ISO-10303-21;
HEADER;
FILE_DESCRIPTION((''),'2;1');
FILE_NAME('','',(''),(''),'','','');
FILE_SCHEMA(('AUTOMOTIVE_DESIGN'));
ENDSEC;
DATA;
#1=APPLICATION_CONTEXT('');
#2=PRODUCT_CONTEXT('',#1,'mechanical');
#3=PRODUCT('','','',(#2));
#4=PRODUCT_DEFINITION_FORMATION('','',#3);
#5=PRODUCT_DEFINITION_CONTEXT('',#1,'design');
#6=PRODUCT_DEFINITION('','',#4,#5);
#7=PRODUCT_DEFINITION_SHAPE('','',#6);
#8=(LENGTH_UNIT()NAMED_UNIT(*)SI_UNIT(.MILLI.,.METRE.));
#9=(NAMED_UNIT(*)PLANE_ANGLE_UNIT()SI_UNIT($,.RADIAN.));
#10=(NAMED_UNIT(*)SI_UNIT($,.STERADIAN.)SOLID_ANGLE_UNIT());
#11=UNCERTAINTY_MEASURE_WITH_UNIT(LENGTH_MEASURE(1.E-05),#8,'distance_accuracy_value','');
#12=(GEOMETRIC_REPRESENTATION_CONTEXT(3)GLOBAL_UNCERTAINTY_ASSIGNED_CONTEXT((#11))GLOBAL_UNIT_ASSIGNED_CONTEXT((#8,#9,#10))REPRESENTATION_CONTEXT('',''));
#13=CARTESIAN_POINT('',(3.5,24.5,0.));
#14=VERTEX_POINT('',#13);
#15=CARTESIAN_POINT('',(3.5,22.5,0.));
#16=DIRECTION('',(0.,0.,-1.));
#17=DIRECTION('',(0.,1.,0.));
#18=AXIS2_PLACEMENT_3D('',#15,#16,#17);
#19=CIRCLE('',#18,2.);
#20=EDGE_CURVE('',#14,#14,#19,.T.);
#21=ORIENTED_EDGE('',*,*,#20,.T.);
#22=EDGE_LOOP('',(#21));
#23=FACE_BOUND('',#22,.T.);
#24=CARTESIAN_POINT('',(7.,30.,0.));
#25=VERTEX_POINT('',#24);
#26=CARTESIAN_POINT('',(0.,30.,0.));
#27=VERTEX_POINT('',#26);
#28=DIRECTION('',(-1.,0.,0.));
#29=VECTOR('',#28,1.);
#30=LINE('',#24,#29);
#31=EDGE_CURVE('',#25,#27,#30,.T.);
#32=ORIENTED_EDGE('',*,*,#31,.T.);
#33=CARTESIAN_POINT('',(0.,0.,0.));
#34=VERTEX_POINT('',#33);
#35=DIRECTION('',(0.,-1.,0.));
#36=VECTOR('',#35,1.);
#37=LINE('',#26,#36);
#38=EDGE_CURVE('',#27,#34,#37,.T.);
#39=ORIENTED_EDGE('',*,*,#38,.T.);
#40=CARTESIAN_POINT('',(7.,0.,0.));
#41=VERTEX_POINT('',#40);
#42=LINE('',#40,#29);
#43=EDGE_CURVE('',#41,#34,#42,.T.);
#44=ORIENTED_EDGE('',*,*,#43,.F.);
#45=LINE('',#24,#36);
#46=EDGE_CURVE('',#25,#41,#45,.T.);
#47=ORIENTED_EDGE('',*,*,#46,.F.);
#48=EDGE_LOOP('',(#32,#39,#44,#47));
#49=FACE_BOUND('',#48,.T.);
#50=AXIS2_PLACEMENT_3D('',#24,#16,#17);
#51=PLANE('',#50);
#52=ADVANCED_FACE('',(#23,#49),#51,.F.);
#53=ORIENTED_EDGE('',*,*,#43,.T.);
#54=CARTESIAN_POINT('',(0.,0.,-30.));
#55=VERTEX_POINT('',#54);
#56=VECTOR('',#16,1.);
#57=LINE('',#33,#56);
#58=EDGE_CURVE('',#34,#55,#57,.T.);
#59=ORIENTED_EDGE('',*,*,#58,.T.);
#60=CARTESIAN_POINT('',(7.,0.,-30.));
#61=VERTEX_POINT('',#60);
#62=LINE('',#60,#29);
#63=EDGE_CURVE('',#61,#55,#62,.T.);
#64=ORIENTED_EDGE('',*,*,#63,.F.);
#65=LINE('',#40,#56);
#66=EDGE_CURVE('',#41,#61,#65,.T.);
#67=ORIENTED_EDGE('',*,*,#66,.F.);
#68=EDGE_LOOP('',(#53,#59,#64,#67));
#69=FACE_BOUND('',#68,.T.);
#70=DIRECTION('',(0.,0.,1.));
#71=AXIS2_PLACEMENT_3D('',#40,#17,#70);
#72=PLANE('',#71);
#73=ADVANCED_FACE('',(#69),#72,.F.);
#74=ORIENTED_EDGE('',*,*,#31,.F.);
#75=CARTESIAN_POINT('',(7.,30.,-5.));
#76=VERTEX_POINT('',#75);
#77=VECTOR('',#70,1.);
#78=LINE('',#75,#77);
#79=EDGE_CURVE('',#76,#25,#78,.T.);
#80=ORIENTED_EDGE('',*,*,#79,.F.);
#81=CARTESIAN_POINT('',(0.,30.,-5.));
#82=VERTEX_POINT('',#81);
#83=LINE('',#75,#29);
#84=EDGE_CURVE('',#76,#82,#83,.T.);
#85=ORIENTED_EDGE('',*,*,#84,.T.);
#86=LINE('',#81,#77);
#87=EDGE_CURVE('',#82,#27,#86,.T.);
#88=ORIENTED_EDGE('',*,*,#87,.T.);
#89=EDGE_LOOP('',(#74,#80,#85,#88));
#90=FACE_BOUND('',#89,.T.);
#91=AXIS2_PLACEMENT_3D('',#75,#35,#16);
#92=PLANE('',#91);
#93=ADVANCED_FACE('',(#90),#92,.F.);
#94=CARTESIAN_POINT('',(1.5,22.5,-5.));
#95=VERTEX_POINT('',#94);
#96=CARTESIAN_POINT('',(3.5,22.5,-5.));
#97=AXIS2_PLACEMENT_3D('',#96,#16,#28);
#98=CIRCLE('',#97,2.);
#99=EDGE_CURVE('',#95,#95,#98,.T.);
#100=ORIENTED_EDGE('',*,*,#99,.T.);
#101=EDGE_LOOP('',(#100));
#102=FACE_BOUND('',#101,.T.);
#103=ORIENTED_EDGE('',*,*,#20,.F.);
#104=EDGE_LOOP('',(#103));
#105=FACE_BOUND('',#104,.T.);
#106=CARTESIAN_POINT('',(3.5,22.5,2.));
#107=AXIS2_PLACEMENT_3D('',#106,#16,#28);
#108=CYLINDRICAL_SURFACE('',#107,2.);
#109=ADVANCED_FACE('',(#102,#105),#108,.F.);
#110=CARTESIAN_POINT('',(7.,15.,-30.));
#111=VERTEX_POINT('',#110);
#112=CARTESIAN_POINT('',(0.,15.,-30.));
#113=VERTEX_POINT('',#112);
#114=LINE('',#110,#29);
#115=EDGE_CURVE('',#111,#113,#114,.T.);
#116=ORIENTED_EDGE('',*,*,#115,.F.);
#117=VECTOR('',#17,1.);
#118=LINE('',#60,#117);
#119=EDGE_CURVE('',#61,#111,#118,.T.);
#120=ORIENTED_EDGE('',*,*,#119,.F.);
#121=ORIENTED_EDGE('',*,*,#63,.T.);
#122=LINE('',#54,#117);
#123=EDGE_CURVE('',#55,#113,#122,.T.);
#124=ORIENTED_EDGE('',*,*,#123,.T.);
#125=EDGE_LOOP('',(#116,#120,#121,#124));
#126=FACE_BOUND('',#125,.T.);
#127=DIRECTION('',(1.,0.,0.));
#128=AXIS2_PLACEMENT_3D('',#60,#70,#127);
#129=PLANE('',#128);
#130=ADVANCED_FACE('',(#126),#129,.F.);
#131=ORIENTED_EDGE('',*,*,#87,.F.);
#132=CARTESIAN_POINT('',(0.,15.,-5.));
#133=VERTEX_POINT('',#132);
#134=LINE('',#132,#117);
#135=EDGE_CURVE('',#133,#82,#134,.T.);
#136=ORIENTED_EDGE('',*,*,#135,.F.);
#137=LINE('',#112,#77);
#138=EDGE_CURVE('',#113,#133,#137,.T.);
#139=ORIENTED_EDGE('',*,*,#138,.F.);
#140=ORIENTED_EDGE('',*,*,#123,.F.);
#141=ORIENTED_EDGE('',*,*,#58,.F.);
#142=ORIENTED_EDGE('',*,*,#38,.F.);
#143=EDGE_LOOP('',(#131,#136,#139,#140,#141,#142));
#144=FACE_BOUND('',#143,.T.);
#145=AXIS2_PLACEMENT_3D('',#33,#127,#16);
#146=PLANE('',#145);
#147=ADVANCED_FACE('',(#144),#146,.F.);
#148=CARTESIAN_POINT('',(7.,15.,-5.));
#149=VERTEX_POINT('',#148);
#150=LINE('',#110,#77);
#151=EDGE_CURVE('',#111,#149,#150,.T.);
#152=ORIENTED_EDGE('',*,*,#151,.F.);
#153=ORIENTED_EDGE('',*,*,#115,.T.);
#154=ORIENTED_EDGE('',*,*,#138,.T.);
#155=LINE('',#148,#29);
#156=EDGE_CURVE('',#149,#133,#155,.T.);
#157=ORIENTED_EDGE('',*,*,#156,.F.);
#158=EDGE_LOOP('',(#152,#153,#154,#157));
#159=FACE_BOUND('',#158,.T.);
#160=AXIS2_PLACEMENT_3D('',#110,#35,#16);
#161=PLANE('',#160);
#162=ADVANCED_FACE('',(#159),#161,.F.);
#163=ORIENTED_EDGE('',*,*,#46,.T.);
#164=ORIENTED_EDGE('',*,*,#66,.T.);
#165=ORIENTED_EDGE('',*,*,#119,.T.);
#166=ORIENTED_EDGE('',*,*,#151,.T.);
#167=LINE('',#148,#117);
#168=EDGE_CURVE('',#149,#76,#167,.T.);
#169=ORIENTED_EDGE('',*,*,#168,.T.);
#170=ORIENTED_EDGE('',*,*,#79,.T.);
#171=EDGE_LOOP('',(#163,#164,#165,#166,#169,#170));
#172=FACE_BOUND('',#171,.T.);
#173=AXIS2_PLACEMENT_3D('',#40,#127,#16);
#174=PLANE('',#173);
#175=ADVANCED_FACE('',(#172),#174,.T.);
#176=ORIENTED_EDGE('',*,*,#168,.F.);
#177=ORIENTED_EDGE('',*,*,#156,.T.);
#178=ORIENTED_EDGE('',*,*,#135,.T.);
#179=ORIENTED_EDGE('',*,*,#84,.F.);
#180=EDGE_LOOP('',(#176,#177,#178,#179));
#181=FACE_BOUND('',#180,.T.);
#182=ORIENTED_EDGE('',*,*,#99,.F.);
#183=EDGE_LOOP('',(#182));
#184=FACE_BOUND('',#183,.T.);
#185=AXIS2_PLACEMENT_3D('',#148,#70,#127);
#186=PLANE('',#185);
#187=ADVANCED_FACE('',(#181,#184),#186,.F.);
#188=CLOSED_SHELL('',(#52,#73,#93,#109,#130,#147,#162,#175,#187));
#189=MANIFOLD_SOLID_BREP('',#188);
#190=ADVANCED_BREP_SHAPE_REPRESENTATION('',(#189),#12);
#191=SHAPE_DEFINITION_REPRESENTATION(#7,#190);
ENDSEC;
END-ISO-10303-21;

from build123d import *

# Parameters (mm, degrees)
BOSS_EXTRUDE1_DEPTH = 7
SKETCH2_R           = 2
CUT_EXTRUDE1_DEPTH  = 7


with BuildPart() as part:
    # Sketch1 → Boss-Extrude1 (new body)
    with BuildSketch(Plane(origin=(0, 0, 0), x_dir=(0, 0, -1), z_dir=(1, 0, 0))):
        Polygon((0, 0), (30, 0), (30, 15), (5, 15), (5, 30), (0, 30), align=None)
    extrude(amount=BOSS_EXTRUDE1_DEPTH)

    # Sketch2 → Cut-Extrude1 (cut)
    with BuildSketch(Plane(origin=(0, 0, -5), x_dir=(-1, 0, 0), z_dir=(0, 0, -1))):
        with Locations((-3.5, 22.5)):
            Circle(SKETCH2_R)
    extrude(amount=-CUT_EXTRUDE1_DEPTH, mode=Mode.SUBTRACT)


solid = part.part
